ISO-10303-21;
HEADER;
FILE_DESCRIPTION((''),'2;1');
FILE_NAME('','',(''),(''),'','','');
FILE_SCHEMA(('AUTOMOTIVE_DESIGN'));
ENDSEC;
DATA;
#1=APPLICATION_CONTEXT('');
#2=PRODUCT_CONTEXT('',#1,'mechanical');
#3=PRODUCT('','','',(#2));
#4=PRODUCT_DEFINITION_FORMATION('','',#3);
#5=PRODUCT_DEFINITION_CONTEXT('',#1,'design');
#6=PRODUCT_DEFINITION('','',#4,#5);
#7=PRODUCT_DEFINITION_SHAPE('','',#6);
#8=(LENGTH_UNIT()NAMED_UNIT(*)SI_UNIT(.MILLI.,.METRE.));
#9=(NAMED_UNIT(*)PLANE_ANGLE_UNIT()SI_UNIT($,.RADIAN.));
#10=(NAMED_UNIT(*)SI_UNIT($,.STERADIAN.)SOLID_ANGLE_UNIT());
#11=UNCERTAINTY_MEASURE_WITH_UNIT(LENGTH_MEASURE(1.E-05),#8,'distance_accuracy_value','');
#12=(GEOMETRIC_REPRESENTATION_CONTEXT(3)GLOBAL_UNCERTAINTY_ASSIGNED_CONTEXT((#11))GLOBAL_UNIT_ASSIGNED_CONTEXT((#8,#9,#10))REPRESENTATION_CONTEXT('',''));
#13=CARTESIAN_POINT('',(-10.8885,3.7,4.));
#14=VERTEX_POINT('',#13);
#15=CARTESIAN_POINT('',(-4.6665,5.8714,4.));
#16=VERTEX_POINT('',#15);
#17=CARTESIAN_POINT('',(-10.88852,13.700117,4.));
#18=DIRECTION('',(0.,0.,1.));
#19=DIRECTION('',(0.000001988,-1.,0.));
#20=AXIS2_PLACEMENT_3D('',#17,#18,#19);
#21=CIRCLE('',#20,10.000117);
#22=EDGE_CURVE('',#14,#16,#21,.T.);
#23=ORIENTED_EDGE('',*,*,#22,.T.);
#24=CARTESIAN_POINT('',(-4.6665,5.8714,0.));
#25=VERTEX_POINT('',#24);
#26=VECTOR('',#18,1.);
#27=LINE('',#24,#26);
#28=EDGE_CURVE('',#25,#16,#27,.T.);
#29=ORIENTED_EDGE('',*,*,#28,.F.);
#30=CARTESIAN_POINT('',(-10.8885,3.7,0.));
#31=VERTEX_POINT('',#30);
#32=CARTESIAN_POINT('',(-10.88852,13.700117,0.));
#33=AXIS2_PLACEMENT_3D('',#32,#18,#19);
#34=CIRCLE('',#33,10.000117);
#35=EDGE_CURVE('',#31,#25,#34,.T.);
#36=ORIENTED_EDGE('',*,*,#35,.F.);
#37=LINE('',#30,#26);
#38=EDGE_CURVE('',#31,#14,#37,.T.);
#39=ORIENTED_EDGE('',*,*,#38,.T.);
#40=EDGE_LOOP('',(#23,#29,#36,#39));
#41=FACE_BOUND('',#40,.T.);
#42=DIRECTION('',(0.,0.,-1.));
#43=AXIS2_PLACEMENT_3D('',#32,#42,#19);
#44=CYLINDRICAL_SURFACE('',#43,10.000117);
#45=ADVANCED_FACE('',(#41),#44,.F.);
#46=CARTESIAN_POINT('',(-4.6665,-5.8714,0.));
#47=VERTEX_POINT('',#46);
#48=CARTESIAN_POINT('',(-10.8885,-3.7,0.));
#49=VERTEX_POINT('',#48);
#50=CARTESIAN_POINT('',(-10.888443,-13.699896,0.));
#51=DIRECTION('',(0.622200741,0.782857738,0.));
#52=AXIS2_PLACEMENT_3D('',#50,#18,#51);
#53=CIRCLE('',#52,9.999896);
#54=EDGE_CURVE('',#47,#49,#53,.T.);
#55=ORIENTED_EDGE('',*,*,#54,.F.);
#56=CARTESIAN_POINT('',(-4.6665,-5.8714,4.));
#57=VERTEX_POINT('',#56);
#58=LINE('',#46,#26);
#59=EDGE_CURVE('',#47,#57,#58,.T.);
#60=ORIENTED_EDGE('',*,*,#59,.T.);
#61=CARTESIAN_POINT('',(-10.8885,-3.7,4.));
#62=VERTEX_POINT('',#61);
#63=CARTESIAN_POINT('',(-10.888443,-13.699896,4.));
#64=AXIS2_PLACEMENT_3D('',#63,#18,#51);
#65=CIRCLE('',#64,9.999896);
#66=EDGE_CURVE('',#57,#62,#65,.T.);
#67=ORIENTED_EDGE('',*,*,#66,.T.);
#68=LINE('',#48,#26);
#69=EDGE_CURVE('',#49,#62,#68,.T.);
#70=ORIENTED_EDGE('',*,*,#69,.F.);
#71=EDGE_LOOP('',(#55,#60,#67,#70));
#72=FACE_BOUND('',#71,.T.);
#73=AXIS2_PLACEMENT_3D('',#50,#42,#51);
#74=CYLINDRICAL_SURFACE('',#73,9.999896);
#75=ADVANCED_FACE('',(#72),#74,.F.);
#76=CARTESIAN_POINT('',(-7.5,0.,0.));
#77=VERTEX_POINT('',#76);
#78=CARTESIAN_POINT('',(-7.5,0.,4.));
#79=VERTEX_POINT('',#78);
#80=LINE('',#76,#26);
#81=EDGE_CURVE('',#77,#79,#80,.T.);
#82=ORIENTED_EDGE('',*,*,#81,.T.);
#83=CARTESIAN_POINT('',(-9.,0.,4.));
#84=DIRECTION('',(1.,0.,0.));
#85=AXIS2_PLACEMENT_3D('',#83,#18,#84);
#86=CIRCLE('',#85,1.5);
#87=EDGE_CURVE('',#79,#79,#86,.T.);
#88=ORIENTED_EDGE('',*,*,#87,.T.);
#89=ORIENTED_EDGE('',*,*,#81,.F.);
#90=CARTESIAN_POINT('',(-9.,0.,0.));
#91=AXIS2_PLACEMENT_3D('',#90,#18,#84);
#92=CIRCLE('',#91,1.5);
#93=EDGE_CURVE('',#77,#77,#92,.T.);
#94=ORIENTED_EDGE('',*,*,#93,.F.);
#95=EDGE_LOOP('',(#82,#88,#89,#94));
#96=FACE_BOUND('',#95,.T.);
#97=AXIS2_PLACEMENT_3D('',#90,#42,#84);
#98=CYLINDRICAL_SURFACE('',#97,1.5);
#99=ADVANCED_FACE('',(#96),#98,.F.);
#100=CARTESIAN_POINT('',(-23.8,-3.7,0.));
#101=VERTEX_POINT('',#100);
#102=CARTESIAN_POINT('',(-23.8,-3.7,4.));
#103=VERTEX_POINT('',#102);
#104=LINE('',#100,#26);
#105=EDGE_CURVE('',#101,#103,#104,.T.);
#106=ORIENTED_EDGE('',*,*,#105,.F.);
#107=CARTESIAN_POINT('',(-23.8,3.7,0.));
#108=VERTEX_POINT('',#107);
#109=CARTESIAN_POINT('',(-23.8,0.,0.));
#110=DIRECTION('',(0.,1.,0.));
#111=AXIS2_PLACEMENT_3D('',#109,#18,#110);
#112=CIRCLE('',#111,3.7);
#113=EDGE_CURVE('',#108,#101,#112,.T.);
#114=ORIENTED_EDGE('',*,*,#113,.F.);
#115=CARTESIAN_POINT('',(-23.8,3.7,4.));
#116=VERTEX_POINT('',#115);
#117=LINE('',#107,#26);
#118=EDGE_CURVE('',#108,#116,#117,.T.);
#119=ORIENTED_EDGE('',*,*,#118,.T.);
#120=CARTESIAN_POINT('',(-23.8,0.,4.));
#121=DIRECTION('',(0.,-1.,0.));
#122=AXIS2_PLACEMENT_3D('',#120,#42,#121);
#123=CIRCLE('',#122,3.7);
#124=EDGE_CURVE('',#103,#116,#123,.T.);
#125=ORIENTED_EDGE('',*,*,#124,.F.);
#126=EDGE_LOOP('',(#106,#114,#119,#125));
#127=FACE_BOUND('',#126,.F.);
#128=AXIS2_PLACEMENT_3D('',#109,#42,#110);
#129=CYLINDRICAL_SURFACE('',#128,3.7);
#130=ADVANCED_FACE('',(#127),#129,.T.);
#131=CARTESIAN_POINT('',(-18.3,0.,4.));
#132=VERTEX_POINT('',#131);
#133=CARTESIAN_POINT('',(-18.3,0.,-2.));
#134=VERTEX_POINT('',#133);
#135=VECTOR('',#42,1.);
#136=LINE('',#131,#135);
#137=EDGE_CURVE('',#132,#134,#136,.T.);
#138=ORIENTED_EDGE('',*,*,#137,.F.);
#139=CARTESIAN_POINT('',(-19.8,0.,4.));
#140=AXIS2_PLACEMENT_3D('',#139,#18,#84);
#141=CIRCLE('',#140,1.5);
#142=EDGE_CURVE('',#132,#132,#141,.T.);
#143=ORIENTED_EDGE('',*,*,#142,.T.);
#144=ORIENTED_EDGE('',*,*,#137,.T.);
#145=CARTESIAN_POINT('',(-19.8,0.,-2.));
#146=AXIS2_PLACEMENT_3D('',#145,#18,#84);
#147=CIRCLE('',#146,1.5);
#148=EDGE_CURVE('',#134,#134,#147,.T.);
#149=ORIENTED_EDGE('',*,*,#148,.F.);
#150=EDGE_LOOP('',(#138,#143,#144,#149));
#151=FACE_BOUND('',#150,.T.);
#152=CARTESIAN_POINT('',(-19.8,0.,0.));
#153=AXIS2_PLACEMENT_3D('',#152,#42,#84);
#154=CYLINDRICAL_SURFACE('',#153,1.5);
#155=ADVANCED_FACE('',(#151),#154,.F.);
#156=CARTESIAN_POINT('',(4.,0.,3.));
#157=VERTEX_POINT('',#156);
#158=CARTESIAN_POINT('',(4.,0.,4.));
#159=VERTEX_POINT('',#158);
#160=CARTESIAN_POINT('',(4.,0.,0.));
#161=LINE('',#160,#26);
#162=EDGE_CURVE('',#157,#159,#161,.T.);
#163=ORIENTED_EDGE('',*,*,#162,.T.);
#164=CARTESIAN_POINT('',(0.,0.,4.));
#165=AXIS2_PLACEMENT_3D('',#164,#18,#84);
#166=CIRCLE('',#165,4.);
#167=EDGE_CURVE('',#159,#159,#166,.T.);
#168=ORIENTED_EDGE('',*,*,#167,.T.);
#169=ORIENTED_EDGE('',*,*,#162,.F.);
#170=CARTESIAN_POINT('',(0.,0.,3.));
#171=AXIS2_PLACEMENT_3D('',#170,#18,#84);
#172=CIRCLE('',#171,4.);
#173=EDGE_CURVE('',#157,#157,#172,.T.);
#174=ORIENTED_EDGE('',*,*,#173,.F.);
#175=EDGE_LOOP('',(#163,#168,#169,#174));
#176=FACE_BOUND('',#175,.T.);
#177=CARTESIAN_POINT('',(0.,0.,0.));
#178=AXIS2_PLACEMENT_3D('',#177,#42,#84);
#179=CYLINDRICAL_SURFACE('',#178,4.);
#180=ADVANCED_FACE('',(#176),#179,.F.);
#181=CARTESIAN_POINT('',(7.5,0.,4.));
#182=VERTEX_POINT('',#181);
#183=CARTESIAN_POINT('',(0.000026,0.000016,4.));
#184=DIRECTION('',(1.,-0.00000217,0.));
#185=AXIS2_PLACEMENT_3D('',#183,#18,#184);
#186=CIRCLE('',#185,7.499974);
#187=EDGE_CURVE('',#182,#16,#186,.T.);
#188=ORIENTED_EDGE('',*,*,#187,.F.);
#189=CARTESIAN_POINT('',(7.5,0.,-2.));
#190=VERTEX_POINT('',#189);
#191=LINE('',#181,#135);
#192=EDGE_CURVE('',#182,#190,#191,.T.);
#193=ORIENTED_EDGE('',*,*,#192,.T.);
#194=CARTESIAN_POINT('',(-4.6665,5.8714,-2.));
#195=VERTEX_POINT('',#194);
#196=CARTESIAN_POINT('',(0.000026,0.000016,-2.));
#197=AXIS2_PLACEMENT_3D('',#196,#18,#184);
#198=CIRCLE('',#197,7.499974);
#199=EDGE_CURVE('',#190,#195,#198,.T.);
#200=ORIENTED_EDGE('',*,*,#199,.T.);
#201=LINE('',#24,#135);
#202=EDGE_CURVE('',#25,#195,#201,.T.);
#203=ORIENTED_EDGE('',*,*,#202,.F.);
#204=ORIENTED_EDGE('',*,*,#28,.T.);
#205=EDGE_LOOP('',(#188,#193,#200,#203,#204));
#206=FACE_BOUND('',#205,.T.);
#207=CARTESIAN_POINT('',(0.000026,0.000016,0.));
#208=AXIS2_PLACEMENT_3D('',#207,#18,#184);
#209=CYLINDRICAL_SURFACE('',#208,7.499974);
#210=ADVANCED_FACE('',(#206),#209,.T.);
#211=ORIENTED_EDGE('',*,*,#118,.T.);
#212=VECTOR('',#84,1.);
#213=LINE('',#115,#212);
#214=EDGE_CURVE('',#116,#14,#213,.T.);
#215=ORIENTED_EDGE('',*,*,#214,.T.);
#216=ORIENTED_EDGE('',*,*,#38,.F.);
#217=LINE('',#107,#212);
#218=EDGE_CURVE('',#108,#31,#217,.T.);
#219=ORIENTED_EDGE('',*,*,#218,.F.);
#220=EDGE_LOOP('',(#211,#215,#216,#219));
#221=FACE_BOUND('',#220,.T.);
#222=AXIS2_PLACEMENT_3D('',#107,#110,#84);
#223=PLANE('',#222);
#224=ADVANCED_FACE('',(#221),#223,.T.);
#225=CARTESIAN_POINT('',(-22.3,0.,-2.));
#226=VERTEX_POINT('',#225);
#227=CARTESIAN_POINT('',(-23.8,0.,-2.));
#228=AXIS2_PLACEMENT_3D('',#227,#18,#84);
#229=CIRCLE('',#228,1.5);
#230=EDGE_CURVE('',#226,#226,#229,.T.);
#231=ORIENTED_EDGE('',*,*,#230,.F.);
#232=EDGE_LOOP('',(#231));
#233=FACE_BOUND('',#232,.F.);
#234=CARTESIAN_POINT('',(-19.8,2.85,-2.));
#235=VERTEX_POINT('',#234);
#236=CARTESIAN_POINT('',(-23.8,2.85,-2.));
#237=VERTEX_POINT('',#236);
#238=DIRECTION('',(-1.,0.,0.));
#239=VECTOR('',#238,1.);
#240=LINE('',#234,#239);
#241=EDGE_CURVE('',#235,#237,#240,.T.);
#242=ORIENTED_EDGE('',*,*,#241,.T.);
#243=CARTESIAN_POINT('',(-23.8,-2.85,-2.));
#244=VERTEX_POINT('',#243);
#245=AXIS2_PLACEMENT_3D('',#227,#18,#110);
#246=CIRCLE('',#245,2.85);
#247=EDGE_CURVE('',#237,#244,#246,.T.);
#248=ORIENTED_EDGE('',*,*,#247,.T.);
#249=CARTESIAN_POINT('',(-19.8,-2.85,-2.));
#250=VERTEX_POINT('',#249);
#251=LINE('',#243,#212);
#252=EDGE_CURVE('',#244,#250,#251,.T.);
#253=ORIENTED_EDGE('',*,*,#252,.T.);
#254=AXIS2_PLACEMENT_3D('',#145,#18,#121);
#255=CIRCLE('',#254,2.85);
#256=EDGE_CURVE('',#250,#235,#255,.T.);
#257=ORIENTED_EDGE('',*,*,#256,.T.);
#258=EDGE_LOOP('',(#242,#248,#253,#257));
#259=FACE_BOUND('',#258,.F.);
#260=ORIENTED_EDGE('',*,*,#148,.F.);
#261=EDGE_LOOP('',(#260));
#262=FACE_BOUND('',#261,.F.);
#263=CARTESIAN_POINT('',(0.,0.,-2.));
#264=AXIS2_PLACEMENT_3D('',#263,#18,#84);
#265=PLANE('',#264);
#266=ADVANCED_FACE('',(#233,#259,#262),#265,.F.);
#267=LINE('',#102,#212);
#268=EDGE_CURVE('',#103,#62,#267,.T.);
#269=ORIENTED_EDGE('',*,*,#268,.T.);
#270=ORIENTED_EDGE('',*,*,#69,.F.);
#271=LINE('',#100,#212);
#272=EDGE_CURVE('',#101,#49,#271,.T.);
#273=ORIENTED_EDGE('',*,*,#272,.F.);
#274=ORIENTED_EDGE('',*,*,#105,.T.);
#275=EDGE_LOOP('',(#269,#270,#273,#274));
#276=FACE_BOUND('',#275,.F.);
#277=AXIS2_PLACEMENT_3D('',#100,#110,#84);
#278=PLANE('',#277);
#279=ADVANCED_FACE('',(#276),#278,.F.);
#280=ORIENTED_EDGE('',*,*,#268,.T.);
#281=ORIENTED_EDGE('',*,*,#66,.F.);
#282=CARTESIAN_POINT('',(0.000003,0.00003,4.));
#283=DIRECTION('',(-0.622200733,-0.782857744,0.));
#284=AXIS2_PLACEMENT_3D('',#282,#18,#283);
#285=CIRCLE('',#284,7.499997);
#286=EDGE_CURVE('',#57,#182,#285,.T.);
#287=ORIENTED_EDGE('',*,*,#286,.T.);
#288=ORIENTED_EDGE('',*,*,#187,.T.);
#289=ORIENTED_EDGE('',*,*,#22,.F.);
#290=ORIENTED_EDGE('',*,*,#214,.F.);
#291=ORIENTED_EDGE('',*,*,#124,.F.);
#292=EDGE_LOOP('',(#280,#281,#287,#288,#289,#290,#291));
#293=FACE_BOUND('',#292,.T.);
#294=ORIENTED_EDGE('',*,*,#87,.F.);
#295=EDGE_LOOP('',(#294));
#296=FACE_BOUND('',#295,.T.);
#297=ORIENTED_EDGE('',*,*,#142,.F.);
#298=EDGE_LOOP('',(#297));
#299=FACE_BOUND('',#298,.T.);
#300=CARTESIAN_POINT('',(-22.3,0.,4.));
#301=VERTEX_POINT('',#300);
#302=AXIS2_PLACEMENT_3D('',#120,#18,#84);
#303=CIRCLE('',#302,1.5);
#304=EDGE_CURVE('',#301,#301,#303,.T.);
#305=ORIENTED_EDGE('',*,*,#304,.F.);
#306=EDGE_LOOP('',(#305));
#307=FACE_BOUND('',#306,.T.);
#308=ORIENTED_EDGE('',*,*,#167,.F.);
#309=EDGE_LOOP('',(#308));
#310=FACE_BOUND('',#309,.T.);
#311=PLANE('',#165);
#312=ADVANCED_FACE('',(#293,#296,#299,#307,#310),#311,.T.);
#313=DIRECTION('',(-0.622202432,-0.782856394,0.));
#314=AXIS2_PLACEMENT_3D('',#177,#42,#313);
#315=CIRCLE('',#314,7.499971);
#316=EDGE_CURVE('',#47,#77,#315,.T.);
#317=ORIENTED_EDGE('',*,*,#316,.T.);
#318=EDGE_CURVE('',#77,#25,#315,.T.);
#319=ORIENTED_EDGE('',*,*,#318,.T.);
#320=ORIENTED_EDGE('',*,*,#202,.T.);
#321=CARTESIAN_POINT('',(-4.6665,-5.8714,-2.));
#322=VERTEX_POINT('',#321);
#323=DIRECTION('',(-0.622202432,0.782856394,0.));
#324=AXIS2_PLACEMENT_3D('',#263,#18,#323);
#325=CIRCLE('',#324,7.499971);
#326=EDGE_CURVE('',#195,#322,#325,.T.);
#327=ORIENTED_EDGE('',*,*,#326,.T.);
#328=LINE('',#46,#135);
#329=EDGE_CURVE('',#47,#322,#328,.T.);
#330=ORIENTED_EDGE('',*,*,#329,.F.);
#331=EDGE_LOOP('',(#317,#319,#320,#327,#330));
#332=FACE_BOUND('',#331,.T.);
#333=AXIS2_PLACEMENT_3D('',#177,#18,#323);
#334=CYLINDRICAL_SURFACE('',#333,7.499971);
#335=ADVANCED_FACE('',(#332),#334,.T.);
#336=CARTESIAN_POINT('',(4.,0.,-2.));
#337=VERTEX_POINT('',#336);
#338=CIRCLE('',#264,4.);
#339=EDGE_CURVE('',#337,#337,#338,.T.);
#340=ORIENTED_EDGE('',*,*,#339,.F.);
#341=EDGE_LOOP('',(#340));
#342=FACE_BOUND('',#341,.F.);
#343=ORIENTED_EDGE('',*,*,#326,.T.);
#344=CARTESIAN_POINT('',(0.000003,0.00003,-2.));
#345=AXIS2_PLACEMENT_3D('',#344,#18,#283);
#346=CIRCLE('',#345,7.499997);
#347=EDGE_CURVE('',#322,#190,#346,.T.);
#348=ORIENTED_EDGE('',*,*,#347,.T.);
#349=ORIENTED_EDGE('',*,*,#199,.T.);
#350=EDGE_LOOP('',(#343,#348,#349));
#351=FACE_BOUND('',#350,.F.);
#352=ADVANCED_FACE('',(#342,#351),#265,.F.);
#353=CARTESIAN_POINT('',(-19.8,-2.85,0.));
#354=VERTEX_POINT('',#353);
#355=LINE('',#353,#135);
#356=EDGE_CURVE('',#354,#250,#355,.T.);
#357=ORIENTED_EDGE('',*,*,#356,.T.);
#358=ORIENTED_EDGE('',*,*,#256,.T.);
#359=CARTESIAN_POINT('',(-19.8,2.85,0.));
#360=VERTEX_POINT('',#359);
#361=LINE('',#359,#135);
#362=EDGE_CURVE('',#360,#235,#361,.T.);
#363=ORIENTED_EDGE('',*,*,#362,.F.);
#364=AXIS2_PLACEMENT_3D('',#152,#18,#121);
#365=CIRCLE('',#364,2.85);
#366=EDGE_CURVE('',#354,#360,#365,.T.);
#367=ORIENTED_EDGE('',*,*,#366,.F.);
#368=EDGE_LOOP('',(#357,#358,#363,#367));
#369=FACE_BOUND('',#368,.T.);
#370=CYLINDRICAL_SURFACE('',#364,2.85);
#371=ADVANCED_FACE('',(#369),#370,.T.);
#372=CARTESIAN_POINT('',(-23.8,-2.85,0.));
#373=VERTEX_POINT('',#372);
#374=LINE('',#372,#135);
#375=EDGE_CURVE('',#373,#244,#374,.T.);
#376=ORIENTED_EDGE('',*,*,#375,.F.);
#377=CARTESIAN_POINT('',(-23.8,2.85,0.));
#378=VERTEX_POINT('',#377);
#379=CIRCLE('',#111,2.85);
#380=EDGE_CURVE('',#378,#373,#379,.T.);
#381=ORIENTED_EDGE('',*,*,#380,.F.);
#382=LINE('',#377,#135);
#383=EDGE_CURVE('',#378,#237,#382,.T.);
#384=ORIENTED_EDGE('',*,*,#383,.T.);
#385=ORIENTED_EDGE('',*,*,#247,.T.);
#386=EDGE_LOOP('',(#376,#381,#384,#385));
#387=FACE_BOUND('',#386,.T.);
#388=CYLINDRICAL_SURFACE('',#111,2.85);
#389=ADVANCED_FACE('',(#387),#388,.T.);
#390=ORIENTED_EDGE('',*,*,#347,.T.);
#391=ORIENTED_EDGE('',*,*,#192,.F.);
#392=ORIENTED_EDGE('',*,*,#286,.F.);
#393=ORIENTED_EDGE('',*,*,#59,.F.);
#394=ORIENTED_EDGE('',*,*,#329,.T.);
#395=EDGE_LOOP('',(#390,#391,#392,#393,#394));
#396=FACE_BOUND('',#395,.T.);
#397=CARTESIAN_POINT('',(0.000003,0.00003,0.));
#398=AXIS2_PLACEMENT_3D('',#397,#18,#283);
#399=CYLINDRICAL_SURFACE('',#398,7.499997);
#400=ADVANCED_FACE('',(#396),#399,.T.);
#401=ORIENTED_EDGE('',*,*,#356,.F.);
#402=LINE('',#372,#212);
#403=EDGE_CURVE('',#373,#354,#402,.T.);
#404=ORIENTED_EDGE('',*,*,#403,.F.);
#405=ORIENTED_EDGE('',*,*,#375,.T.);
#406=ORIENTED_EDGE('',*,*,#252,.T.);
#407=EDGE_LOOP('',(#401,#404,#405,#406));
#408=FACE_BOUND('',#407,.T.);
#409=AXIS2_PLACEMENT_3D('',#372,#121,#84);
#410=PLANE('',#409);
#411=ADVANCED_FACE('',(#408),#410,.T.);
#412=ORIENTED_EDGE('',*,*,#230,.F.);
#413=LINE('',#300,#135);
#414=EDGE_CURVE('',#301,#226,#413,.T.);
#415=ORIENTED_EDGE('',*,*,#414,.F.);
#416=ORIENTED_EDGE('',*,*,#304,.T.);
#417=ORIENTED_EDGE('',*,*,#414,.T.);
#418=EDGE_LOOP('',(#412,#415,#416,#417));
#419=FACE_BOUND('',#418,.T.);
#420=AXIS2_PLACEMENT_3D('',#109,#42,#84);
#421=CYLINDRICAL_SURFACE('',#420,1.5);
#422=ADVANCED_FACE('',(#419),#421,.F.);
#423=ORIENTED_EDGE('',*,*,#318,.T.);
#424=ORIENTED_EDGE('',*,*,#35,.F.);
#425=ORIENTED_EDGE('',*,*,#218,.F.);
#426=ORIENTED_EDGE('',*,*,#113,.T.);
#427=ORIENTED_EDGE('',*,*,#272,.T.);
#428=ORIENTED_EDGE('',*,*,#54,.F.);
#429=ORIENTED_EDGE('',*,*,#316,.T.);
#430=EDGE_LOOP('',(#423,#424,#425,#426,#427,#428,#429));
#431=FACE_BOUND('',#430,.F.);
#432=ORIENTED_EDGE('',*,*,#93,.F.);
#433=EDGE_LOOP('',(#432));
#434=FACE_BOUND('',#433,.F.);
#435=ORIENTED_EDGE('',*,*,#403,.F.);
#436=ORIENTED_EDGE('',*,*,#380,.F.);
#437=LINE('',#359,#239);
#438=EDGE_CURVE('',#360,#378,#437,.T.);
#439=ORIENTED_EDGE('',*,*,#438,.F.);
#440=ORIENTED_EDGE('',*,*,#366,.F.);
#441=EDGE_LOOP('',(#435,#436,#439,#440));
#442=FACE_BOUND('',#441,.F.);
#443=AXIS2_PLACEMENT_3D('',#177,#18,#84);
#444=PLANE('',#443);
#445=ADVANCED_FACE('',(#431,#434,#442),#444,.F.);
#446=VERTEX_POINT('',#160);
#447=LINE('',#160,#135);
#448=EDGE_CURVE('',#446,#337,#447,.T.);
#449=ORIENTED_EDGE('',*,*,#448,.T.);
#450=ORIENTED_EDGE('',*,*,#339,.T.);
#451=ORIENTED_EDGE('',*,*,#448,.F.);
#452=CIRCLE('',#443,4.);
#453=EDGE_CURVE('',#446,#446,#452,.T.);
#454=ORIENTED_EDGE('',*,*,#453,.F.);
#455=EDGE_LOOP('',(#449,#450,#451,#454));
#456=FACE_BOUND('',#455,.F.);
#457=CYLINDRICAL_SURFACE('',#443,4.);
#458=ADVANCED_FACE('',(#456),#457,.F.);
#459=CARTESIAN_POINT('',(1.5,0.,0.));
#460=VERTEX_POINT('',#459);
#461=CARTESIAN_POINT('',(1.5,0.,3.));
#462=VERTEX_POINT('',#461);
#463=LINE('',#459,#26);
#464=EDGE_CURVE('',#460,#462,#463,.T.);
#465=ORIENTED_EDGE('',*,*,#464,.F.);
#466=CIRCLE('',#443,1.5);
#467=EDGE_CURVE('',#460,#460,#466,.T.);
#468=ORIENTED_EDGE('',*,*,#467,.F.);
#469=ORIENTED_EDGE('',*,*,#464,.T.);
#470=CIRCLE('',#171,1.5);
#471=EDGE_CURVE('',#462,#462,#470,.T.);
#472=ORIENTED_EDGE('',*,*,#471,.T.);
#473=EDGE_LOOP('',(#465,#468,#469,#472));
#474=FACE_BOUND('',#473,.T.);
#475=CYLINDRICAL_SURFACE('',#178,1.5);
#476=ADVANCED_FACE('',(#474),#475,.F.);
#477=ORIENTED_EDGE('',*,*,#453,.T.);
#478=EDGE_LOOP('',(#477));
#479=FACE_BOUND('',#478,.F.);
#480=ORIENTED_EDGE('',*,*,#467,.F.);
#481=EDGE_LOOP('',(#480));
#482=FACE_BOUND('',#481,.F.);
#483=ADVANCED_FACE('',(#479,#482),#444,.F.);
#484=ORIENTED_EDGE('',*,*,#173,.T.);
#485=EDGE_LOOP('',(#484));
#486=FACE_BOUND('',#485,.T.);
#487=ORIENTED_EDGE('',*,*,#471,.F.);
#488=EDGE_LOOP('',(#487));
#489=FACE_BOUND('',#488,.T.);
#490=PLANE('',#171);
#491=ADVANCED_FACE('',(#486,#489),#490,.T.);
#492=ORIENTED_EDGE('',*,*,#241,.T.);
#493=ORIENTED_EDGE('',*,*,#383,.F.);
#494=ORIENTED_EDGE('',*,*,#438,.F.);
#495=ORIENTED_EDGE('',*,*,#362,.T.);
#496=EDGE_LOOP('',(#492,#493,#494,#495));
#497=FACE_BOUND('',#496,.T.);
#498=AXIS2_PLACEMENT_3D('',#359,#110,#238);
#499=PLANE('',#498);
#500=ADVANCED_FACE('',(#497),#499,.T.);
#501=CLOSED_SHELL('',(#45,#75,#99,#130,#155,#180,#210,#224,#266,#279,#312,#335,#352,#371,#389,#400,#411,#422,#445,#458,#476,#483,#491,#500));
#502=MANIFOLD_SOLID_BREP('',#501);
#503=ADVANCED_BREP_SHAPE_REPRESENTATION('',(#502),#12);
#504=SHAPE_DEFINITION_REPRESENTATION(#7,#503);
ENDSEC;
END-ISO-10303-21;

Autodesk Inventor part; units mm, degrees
ref_plane "YZ Plane" through (0, 0, 0) normal (1, 0, 0) x (0, 1, 0)
ref_plane "XZ Plane" through (0, 0, 0) normal (0, 1, 0) x (-1, 0, 0)
ref_plane "XY Plane" through (0, 0, 0) normal (0, 0, 1) x (1, 0, 0)
sketch "Sketch2" plane through (0, 0, 0) normal (0, 0, 1) x (1, 0, 0)
  circle A0 centre (0, 0) radius 1.5
  circle A1 centre (0, 0) radius 4
  arc A2 (-6.5238, 3.7) -> (-6.5238, -3.7) centre (0, 0) ccw construction
  line L0 (7.5, 0) -> (-27.5, 0) construction
  arc A3 (-23.8, -3.7) -> (-23.8, 3.7) centre (-23.8, 0) ccw construction
  circle A4 centre (-23.8, 0) radius 1.5
  circle A5 centre (-19.8, 0) radius 1.5
  line L1 (-23.8, 3.7) -> (-10.8885, 3.7)
  line L2 (-23.8, -3.7) -> (-10.8885, -3.7)
  arc A6 (-27.5, 0) -> (-23.8, -3.7) centre (-23.8, 0) ccw
  arc A7 (-23.8, 3.7) -> (-27.5, 0) centre (-23.8, 0) ccw
  arc A8 (7.5, 0) -> (-4.6665, 5.8714) centre (0, 0) ccw
  arc A9 (-6.5238, -3.7) -> (-4.6665, -5.8714) centre (0, 0) ccw construction
  circle A10 centre (-9, 0) radius 1.5
  arc A11 (-10.8885, 3.7) -> (-4.6665, 5.8714) centre (-10.8885, 13.7) ccw
  arc A12 (-4.6665, -5.8714) -> (-10.8885, -3.7) centre (-10.8885, -13.7) ccw
  arc A13 (-4.6665, -5.8714) -> (7.5, 0) centre (0, 0) ccw
  line L3 (-10.8885, -13.7) -> (-10.8885, 13.7) construction
  line L4 (-23.8, 0) -> (-19.8, 0) construction
  line L5 (-23.8, -2.85) -> (-19.8, -2.85)
  line L6 (-19.8, 2.85) -> (-23.8, 2.85)
  arc A14 (-23.8, 2.85) -> (-23.8, -2.85) centre (-23.8, 0) ccw
  arc A15 (-19.8, -2.85) -> (-19.8, 2.85) centre (-19.8, 0) ccw
  arc A16 (-4.6665, 5.8714) -> (-4.6665, -5.8714) centre (0, 0) ccw
  point P0 (-21.8, 0)
  dimension "d12" = 35
  dimension "d13" = 15
  dimension "d14" = 7.4
  dimension "d15" = 3
  dimension "d16" = 8
  dimension "d17" = 3
  dimension "d18" = 4
  dimension "d19" = 9
  dimension "d20" = 10
  dimension "d21" = 2.85
extrude "Extrusion3" add sketch "Sketch2" along normal blind 4 contours L1 A11 A16 A12 L2 A6 A7 | A8 A13 A16 | A14 L6 A15 L5
extrude "Extrusion4" add sketch "Sketch2" along normal blind 3 contours A1
extrude "Extrusion5" add sketch "Sketch2" against normal blind 2 contours A8 A13 A16 | A14 L6 A15 L5
properties part number "servo-metal-arm"
